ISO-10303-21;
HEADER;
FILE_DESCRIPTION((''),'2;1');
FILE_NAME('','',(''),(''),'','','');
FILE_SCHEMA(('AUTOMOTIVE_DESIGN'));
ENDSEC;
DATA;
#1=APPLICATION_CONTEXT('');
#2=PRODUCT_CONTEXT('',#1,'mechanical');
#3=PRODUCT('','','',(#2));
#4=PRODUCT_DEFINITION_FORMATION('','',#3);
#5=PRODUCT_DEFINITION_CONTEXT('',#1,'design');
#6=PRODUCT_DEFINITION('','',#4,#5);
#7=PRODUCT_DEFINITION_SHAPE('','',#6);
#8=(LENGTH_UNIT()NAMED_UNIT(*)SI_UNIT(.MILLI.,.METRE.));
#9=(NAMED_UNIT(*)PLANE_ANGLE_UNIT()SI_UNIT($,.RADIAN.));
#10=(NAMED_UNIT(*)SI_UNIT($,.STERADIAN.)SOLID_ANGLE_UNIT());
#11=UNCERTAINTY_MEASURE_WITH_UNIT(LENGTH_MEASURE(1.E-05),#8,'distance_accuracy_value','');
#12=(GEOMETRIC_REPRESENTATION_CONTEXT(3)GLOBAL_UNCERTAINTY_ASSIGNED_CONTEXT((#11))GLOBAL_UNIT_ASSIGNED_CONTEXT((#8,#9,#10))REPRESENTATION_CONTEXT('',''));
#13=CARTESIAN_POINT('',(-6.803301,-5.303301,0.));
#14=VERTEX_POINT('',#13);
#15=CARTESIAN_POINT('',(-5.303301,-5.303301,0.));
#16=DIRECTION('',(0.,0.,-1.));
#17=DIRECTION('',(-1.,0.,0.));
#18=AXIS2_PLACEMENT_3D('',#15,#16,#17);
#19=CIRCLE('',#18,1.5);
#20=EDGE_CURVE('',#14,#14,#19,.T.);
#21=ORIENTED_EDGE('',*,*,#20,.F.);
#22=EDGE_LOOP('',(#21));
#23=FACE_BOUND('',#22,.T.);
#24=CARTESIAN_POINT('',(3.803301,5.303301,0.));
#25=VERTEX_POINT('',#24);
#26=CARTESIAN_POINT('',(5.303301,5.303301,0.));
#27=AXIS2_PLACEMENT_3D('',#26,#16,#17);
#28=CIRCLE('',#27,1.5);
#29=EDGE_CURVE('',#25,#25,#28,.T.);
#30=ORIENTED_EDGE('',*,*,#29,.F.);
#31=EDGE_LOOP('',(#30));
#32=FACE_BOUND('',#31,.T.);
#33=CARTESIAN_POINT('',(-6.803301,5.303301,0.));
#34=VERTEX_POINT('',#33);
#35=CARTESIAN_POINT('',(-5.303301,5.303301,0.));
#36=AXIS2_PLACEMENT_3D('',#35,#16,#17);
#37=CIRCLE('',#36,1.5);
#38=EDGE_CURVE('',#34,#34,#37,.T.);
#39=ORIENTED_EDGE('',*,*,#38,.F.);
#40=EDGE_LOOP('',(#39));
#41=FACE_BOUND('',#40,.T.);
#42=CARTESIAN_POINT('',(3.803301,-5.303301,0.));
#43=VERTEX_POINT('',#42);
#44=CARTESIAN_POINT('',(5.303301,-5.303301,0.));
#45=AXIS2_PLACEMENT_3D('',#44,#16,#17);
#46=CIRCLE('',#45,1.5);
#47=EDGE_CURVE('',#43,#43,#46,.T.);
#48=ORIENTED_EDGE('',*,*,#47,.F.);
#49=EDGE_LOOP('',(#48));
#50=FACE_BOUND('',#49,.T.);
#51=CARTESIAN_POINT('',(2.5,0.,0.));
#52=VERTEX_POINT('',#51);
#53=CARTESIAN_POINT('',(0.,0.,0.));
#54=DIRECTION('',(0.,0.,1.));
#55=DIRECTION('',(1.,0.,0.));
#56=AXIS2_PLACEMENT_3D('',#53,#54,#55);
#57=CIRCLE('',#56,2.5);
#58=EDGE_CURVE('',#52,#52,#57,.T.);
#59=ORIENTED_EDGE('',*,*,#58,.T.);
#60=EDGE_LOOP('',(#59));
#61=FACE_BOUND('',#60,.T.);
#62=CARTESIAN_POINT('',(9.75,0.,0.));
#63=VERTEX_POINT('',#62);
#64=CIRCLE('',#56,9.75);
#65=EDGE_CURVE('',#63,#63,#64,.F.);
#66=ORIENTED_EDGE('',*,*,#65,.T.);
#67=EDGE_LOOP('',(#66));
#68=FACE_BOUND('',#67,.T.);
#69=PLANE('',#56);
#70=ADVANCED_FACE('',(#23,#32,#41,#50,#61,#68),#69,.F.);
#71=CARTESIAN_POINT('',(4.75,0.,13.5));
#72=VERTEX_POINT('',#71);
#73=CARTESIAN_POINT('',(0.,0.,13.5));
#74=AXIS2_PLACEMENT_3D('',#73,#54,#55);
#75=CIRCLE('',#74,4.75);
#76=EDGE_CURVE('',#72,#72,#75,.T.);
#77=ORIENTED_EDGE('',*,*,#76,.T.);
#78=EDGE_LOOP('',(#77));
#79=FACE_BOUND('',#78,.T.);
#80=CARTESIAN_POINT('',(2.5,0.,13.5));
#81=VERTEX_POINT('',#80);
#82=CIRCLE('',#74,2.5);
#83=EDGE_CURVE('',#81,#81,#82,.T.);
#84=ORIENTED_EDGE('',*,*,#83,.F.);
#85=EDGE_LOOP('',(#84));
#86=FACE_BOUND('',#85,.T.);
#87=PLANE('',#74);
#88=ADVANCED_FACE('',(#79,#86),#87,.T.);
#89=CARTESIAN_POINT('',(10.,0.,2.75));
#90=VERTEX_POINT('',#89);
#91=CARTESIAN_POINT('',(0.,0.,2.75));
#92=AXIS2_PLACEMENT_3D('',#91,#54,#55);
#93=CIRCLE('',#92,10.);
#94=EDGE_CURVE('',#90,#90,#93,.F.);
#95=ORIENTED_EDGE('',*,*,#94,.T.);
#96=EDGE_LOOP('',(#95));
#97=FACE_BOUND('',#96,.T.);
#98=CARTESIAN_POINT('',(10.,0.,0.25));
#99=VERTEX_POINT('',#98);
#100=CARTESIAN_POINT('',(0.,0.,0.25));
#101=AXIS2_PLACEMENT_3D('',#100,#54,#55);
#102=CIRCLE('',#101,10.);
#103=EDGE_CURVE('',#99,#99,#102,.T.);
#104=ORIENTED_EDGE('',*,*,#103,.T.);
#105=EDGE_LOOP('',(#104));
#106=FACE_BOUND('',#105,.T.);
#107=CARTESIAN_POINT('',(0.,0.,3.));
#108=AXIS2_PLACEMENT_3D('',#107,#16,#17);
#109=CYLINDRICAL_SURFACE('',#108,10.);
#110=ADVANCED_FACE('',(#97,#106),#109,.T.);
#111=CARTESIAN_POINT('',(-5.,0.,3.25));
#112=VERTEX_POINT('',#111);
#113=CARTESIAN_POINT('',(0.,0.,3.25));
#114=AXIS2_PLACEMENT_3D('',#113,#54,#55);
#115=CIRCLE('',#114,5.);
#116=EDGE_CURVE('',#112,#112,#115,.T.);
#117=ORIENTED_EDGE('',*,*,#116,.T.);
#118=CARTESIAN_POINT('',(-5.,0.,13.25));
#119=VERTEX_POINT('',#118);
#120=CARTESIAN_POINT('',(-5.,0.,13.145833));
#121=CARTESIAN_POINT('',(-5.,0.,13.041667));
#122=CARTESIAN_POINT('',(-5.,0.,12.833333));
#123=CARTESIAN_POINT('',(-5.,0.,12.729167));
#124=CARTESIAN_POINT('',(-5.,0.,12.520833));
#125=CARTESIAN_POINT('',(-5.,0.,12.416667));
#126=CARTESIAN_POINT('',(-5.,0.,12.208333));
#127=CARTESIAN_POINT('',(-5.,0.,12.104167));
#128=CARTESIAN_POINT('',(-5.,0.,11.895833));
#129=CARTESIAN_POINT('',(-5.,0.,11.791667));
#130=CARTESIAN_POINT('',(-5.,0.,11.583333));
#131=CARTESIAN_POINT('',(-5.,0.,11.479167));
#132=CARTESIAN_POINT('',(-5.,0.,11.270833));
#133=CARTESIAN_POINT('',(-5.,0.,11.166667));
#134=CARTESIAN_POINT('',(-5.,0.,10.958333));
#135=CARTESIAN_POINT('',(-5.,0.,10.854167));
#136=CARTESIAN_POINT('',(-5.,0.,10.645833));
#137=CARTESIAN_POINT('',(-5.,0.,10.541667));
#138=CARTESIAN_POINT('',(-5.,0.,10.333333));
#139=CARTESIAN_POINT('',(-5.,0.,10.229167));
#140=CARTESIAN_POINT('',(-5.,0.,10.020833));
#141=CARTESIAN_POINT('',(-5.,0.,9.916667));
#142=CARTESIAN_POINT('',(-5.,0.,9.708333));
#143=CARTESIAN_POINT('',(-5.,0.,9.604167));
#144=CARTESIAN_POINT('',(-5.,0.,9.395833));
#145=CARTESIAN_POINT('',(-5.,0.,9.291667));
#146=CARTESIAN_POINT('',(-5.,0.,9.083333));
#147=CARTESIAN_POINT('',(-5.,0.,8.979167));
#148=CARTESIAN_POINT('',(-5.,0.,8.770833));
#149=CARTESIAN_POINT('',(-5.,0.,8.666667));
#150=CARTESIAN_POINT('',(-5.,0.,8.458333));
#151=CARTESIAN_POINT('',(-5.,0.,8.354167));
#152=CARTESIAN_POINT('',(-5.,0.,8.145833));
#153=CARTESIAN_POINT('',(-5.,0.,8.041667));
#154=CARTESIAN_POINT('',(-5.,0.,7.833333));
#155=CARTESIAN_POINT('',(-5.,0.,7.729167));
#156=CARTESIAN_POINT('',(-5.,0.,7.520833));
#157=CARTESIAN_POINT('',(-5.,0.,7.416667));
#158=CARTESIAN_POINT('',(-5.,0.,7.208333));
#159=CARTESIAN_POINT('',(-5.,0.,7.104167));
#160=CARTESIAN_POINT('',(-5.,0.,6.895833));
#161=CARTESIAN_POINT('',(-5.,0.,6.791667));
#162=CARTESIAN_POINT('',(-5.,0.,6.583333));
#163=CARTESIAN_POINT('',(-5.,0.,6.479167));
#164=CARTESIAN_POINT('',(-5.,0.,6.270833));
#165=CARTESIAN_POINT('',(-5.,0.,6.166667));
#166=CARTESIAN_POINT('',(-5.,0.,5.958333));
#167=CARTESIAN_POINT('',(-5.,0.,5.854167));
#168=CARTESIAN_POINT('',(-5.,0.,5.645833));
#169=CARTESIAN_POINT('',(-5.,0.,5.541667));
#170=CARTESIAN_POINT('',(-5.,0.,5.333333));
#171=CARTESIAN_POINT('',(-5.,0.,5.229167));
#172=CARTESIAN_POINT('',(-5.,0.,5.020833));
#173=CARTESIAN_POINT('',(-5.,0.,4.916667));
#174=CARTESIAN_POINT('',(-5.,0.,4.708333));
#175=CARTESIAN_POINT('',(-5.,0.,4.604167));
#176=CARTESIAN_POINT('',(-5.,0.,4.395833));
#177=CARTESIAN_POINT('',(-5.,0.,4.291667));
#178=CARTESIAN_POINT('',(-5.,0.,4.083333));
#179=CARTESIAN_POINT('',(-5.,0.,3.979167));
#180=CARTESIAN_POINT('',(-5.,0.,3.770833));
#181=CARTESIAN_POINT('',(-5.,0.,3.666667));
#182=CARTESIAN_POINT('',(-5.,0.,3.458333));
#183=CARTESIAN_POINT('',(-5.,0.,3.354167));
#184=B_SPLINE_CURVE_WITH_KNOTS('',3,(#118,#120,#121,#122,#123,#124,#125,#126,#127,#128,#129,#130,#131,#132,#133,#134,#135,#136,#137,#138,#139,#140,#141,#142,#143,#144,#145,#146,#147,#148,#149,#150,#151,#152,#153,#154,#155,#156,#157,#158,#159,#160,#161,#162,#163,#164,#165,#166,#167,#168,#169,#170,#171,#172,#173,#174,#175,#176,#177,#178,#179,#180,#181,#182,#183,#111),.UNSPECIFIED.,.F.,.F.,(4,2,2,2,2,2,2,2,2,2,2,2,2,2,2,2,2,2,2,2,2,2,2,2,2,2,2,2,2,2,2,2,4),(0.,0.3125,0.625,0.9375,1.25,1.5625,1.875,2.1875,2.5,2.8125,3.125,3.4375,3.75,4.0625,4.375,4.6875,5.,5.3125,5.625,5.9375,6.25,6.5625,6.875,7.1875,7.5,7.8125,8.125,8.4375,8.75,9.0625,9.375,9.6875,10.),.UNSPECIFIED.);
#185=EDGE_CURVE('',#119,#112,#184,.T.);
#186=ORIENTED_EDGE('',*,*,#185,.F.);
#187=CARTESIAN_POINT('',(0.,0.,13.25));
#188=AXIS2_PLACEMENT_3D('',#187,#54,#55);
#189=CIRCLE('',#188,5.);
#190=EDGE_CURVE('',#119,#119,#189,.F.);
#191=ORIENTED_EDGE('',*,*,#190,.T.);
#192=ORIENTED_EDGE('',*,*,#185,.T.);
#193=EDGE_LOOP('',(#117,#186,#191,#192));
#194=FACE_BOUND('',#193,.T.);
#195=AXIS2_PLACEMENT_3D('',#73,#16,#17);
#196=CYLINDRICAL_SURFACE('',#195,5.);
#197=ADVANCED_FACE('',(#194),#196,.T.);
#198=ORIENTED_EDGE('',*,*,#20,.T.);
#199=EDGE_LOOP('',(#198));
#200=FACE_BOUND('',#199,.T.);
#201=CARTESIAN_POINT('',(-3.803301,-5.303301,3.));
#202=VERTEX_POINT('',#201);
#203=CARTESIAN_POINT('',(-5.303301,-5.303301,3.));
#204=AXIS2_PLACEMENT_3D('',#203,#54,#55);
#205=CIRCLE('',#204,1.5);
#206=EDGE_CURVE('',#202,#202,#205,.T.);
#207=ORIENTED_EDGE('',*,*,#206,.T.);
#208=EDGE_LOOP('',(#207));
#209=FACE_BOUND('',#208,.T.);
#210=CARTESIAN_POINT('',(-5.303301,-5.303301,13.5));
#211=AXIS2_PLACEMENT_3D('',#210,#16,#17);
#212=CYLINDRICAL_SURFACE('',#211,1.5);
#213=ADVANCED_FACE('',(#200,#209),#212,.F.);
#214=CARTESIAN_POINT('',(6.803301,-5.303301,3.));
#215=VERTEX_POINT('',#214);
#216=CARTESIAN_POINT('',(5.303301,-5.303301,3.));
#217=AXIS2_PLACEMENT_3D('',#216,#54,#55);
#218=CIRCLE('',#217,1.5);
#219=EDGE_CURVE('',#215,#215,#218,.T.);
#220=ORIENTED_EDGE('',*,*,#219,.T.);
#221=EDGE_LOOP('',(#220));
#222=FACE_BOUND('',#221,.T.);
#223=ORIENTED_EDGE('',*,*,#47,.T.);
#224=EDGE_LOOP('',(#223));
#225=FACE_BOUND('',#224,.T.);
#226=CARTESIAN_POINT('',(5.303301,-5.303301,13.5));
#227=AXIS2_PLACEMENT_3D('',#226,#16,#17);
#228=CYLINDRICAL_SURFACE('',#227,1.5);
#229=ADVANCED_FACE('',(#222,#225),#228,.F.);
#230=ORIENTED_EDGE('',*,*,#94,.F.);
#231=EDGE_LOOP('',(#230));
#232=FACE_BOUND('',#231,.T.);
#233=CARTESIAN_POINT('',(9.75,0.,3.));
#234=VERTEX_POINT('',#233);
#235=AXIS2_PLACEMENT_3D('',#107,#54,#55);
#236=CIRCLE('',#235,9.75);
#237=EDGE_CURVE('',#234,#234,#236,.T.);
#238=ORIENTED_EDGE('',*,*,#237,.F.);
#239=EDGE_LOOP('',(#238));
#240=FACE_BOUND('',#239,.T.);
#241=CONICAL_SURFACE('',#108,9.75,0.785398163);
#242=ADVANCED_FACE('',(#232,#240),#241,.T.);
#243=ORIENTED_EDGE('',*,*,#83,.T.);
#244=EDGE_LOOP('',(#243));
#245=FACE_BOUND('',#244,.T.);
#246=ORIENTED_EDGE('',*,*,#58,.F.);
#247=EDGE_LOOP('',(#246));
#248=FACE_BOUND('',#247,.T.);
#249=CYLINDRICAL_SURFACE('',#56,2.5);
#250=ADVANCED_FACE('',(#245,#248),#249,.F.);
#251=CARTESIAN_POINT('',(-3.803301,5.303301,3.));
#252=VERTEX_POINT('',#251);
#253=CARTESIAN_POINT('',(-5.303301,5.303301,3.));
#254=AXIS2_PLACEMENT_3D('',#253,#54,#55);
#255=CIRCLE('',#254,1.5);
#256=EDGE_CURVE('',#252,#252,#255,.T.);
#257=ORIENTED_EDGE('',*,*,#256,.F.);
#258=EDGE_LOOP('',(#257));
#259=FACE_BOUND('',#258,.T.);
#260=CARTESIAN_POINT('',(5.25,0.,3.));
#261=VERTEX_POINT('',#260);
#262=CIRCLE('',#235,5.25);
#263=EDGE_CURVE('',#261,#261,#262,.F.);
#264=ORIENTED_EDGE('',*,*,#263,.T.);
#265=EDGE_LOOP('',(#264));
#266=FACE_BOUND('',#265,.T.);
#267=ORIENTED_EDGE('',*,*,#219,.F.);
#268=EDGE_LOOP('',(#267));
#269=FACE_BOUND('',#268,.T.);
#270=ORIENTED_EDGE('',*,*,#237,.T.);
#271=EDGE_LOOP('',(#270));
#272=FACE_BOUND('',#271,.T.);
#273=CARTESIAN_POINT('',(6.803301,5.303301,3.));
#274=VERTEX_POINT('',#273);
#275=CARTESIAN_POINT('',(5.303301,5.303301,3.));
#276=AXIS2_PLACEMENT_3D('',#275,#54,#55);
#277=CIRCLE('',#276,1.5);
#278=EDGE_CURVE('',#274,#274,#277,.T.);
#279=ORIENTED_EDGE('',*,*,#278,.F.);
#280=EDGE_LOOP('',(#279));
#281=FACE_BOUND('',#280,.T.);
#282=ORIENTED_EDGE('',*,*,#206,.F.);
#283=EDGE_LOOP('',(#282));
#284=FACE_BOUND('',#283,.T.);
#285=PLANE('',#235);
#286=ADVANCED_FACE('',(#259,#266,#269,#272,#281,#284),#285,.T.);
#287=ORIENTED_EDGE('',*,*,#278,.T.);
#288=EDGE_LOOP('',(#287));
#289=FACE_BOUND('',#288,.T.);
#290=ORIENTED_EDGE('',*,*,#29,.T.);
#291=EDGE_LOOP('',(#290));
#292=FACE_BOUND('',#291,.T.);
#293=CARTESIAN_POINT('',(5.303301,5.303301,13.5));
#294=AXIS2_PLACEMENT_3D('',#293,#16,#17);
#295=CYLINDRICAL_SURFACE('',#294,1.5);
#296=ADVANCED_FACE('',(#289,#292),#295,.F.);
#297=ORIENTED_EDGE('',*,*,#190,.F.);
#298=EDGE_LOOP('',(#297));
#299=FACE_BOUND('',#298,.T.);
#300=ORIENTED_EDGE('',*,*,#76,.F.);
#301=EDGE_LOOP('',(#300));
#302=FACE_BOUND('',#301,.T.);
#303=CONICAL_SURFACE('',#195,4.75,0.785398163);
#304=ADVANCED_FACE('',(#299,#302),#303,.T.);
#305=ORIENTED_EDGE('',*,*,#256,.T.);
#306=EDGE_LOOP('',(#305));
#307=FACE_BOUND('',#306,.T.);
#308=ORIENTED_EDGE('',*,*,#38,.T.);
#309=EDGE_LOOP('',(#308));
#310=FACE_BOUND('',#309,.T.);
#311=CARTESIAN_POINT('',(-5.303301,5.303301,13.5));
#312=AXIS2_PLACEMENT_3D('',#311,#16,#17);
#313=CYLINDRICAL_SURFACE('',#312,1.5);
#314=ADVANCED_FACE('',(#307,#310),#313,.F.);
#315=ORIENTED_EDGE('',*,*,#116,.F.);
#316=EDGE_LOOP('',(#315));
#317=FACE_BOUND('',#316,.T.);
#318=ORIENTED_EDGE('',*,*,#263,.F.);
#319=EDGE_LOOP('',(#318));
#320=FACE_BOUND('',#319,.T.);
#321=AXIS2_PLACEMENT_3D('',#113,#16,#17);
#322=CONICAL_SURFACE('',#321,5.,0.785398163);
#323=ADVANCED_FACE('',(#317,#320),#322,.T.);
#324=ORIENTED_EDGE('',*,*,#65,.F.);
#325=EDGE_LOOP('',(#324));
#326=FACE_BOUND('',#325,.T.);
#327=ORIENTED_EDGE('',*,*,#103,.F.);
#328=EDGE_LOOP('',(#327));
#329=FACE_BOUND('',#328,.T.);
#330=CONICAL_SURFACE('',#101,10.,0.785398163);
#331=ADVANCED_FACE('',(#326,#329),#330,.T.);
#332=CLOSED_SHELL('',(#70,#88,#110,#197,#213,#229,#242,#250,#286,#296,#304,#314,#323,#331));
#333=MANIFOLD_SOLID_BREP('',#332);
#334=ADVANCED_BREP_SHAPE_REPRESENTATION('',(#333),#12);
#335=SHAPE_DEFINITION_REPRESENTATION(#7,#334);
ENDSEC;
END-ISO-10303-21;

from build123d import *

# Parameters (mm, degrees)
SKETCH1_R               = 10
BOSS_EXTRUDE1_DEPTH     = 3
SKETCH2_R               = 5
BOSS_EXTRUDE2_DEPTH     = 10.5
CUT_EXTRUDE1_DEPTH      = 20.551214796
CUT_EXTRUDE1_DEPTH_BACK = 20.551214796
SKETCH3_R               = 2.5
CHAMFER1_SIZE           = 0.25
CUT_EXTRUDE2_DEPTH      = 20.551214796
CUT_EXTRUDE2_DEPTH_BACK = 20.551214796
SKETCH4_R               = 1.5


with BuildPart() as part:
    # Sketch1 → Boss-Extrude1 (new body)
    with BuildSketch(Plane.XY):
        Circle(SKETCH1_R)
    extrude(amount=BOSS_EXTRUDE1_DEPTH)

    # Sketch2 → Boss-Extrude2 (add)
    with BuildSketch(Plane.XY.offset(3)):
        with Locations(Location((0, 0, 0), (0, 0, 180))):
            Circle(SKETCH2_R)
    extrude(amount=BOSS_EXTRUDE2_DEPTH)

    # Sketch3 → Cut-Extrude1 (cut, two sides: drawn at the far end of the back side and taken through both)
    with BuildSketch(Plane.XY.offset(13.5).offset(-CUT_EXTRUDE1_DEPTH_BACK)):
        Circle(SKETCH3_R)
    extrude(amount=CUT_EXTRUDE1_DEPTH + CUT_EXTRUDE1_DEPTH_BACK, mode=Mode.SUBTRACT)

    # Chamfer1
    chamfer1_edges = [part.edges().sort_by_distance(p)[0] for p in [
        (-10, 0, 0),
        (-10, 0, 3),
        (5, 0, 3),
        (5, 0, 13.5),
    ]]
    chamfer(chamfer1_edges, length=CHAMFER1_SIZE)

    # Sketch4 → Cut-Extrude2 (cut, two sides: drawn at the far end of the back side and taken through both)
    with BuildSketch(Plane(origin=(0, 0, 0), x_dir=(-1, 0, 0), z_dir=(0, 0, -1)).offset(-CUT_EXTRUDE2_DEPTH_BACK)):
        with Locations((-5.303300859, 5.303300859)):
            Circle(SKETCH4_R)
        with Locations((5.303300859, 5.303300859)):
            Circle(SKETCH4_R)
        with Locations((5.303300859, -5.303300859)):
            Circle(SKETCH4_R)
        with Locations((-5.303300859, -5.303300859)):
            Circle(SKETCH4_R)
    extrude(amount=CUT_EXTRUDE2_DEPTH + CUT_EXTRUDE2_DEPTH_BACK, mode=Mode.SUBTRACT)


solid = part.part
